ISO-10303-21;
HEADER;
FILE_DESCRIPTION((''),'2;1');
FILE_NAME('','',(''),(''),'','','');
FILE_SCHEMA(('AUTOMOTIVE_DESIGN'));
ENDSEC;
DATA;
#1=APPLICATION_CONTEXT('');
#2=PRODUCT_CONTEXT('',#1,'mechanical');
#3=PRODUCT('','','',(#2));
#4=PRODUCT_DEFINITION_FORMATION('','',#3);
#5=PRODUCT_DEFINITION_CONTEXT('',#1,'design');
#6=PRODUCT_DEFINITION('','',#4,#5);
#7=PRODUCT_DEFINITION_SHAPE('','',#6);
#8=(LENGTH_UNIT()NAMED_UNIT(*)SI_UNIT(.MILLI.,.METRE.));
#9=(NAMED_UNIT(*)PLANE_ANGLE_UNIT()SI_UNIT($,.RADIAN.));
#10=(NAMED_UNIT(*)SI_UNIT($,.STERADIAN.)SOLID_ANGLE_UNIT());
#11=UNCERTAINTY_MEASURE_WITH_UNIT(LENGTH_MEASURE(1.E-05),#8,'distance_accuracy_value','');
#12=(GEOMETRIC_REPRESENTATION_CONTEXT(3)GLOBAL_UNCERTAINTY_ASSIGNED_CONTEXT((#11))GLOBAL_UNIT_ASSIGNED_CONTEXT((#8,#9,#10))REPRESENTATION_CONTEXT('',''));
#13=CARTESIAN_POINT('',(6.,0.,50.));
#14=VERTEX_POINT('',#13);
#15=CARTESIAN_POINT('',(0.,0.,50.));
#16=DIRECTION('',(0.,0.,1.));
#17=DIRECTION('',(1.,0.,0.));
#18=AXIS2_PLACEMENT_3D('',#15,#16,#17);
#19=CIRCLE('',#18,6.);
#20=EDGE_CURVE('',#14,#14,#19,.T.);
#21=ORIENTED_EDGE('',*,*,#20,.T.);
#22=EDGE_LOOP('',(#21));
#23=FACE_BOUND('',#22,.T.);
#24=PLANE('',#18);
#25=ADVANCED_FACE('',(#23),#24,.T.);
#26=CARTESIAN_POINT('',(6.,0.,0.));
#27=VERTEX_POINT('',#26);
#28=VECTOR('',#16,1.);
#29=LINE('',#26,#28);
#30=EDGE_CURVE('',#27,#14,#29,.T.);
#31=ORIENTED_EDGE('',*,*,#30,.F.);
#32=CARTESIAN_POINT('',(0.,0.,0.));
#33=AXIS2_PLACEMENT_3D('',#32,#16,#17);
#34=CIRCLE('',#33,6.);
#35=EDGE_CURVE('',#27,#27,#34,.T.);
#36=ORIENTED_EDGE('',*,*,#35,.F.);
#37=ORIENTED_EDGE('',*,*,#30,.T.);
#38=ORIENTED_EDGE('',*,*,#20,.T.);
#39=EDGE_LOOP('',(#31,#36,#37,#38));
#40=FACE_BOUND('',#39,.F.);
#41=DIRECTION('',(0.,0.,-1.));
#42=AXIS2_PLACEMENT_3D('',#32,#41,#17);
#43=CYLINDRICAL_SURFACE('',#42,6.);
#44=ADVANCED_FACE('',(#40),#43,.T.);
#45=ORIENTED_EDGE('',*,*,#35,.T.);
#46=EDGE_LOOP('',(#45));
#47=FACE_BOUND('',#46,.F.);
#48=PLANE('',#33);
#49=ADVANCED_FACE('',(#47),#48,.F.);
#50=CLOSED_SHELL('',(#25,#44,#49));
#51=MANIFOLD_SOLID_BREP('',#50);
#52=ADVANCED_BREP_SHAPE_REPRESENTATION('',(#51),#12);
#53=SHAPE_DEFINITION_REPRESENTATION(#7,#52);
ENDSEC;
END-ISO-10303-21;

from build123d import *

# Parameters (mm, degrees)
SKETCH2_R           = 6
BOSS_EXTRUDE1_DEPTH = 50


with BuildPart() as part:
    # Sketch2 → Boss-Extrude1 (new body)
    with BuildSketch(Plane.XY):
        Circle(SKETCH2_R)
    extrude(amount=BOSS_EXTRUDE1_DEPTH)


solid = part.part
